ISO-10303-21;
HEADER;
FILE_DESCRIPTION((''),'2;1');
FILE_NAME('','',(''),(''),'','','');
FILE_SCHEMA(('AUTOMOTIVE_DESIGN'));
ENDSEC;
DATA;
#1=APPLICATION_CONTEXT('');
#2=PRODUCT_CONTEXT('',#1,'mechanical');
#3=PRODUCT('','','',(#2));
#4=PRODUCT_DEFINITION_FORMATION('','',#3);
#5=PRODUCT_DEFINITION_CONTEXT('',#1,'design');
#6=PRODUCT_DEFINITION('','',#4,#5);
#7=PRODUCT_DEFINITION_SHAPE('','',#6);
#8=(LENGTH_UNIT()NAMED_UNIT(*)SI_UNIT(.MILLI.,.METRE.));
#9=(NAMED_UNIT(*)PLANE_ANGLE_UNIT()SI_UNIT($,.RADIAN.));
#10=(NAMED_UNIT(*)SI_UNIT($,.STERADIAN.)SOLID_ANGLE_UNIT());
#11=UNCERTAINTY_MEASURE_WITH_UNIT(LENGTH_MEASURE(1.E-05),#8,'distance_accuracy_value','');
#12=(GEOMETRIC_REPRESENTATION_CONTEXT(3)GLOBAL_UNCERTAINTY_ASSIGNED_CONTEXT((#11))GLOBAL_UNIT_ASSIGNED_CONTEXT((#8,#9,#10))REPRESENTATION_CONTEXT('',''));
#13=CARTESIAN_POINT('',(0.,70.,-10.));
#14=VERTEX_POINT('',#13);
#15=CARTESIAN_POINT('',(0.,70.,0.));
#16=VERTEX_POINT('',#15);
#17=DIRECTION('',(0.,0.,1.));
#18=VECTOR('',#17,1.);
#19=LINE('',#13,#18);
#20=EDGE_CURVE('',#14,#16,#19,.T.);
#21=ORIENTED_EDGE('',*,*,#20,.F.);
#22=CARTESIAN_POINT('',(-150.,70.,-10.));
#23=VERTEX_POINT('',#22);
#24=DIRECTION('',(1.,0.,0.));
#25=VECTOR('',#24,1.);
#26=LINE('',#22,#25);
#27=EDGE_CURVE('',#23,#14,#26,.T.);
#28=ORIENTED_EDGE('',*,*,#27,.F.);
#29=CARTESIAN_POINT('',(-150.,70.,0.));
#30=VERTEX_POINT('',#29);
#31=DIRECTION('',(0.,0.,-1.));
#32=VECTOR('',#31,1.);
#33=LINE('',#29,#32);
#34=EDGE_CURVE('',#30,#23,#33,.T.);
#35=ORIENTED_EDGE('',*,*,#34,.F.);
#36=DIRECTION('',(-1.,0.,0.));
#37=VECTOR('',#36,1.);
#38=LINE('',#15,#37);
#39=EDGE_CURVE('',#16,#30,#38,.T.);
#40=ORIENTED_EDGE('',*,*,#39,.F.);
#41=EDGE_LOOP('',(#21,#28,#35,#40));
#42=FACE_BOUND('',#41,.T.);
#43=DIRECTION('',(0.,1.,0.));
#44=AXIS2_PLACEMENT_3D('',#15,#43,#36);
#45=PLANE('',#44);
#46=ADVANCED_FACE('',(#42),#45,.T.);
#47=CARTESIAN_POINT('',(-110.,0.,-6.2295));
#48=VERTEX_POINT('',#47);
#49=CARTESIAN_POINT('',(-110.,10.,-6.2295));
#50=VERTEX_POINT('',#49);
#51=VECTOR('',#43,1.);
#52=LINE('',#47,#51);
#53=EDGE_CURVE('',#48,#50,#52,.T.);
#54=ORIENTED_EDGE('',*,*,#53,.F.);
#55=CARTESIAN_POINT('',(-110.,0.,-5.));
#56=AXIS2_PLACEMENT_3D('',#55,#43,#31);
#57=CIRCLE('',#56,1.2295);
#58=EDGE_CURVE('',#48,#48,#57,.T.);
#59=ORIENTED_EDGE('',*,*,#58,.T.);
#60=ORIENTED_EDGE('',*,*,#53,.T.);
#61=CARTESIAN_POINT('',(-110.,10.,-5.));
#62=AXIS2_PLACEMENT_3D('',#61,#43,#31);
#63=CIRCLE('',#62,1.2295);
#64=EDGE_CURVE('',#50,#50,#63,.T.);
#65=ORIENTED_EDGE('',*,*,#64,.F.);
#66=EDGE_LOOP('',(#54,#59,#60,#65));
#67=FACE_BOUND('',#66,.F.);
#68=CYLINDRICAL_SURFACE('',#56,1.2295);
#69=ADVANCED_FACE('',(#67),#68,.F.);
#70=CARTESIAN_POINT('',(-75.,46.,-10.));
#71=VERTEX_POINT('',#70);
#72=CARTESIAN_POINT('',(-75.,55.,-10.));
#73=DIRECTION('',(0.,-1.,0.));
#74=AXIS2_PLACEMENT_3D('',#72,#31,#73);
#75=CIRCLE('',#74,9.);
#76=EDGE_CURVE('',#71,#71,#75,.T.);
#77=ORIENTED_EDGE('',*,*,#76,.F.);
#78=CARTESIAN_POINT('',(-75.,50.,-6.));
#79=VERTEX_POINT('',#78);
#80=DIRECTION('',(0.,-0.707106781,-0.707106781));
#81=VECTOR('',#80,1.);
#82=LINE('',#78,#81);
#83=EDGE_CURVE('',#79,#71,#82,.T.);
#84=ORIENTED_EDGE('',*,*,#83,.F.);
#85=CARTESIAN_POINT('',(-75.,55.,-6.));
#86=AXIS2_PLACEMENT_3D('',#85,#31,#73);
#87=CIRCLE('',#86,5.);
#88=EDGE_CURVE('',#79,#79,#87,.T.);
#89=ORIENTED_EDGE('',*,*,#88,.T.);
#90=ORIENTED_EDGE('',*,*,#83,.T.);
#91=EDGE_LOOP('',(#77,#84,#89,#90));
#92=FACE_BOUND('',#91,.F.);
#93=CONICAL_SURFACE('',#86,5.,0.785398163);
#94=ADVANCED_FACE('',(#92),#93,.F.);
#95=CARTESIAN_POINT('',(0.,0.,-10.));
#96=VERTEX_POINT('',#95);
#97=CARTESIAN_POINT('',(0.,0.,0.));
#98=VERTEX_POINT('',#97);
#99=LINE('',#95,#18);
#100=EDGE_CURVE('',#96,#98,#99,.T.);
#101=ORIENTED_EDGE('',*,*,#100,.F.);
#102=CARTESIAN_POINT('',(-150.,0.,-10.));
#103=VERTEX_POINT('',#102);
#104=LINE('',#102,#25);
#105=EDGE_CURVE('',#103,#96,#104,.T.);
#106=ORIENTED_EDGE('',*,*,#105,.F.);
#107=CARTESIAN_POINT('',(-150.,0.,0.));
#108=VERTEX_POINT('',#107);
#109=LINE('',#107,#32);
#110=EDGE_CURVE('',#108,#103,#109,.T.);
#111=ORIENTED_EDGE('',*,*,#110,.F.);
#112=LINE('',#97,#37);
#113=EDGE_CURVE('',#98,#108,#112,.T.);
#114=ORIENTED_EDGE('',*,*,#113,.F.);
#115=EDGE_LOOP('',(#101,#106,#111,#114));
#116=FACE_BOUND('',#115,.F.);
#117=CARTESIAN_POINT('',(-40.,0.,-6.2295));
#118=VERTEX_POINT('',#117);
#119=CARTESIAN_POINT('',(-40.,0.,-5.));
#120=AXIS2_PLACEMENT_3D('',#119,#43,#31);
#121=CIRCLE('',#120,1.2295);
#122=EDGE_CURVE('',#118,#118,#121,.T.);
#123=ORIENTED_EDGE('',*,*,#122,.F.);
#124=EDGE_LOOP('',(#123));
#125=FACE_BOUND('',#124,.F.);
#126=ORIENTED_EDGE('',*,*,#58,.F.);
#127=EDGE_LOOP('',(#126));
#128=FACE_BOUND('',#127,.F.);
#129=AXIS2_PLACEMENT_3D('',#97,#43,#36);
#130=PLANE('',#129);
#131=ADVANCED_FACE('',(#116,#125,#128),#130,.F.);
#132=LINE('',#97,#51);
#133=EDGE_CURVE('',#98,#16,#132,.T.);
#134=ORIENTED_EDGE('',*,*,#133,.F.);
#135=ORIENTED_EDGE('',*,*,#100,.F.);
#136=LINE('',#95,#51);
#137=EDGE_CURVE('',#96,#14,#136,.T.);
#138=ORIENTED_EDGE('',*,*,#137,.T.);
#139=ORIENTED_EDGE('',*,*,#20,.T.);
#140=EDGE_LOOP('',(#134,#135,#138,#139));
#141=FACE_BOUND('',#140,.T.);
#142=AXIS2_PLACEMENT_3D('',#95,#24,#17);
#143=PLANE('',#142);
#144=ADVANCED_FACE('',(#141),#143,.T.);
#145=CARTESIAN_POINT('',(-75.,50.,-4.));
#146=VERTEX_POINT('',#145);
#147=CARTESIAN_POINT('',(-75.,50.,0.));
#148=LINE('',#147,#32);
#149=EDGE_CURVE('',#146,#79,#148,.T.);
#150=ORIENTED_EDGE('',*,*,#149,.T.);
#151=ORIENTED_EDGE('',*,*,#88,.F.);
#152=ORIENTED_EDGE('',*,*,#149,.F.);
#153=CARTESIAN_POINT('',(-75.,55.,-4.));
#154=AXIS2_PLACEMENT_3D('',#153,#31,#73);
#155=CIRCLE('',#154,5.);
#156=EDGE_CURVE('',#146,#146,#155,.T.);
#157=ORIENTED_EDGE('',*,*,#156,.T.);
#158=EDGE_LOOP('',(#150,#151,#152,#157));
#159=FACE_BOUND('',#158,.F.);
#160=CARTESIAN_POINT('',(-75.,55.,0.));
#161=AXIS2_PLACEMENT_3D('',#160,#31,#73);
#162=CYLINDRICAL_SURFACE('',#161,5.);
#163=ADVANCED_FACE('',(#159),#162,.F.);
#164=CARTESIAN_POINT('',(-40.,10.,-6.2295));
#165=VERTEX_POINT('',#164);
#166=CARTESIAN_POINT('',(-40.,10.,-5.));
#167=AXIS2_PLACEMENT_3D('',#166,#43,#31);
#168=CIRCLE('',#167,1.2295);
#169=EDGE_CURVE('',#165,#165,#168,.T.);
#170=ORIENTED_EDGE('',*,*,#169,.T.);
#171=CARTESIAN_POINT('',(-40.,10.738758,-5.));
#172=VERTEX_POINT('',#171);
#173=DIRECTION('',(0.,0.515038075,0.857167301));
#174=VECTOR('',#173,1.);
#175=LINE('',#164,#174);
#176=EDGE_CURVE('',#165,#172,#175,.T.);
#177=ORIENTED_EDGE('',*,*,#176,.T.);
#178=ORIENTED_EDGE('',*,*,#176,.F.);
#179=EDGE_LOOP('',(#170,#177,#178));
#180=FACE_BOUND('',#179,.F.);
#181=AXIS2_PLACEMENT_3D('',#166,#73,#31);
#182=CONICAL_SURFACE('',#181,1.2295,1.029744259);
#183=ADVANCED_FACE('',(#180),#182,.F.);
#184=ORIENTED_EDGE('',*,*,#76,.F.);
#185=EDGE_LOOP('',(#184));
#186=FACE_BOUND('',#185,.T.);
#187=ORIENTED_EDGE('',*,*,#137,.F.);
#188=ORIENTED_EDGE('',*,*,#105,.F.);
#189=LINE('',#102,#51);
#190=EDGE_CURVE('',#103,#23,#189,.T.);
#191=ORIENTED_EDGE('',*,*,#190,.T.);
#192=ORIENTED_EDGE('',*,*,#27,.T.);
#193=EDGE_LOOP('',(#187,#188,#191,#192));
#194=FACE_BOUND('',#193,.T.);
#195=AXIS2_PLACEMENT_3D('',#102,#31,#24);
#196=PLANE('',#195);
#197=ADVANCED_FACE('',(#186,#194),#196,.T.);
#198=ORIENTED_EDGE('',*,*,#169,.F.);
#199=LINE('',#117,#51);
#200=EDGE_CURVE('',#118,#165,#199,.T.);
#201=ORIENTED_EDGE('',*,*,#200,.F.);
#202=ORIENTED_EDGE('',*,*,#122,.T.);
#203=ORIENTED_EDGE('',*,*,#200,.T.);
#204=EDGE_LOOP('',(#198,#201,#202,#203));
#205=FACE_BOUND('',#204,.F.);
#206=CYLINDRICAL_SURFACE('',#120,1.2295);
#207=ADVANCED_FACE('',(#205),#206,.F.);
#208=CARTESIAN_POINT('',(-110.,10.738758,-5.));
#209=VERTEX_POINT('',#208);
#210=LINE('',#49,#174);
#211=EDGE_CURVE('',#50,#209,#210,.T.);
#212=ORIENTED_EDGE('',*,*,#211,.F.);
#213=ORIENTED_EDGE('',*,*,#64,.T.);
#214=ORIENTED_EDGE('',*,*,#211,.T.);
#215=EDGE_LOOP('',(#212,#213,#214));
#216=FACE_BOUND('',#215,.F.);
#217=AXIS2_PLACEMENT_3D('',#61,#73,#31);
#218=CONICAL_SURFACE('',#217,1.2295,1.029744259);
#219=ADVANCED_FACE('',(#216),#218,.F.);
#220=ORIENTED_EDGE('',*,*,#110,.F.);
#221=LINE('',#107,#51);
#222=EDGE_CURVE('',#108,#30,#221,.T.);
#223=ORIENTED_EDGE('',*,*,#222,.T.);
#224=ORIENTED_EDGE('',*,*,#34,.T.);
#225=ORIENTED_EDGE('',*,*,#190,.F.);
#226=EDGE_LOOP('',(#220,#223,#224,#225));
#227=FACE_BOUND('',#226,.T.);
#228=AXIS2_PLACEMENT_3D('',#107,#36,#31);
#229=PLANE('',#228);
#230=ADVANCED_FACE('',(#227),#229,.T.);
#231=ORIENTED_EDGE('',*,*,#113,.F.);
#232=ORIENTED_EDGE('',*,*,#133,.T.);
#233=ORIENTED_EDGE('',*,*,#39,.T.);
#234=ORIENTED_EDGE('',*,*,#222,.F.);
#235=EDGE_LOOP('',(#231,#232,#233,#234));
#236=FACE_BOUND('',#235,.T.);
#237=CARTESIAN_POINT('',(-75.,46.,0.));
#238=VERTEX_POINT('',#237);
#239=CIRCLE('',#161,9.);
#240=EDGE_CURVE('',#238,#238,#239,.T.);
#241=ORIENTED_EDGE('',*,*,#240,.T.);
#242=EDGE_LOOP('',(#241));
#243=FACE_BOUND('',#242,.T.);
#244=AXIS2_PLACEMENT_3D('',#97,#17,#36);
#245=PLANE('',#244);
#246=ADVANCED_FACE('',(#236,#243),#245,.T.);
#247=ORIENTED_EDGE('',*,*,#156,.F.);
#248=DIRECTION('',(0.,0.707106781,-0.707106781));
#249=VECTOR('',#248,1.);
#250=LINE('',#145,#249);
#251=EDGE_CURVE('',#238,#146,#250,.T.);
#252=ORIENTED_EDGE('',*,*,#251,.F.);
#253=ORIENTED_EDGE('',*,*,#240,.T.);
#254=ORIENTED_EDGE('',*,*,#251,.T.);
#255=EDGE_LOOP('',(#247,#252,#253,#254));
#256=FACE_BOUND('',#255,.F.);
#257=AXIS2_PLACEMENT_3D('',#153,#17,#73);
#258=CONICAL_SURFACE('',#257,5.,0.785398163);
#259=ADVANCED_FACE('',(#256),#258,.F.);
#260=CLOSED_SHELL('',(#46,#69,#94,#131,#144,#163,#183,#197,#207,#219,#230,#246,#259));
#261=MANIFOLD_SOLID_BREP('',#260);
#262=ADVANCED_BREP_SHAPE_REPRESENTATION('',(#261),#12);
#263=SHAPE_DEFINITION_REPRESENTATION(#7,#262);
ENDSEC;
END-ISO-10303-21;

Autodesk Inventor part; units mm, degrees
ref_plane "YZ Plane" through (0, 0, 0) normal (1, 0, 0) x (0, 1, 0)
ref_plane "XZ Plane" through (0, 0, 0) normal (0, 1, 0) x (-1, 0, 0)
ref_plane "XY Plane" through (0, 0, 0) normal (0, 0, 1) x (1, 0, 0)
sketch "Sketch1" plane through (0, 0, 0) normal (0, 1, 0) x (-1, 0, 0)
  line L0 (0, 0) -> (150, 0)
  line L1 (150, 0) -> (150, -10)
  line L2 (150, -10) -> (0, -10)
  line L3 (0, -10) -> (0, 0)
  dimension "d0" = 150
  dimension "d1" = 10
extrude "Extrusion1" add sketch "Sketch1" along normal blind 70
sketch "Sketch2" plane through (-150, 0, 0) normal (0, 0, 1) x (1, 0, 0)
  line L0 (0, 70) -> (150, 70) projected
  line L1 (150, 0) -> (0, 0) projected
  line L2 (0, 0) -> (0, 70) projected
  point P0 (75, 55)
  dimension "d5" = 55
  dimension "d6" = 75
hole "Hole1" at (-75, 55, 0) direction (0, 0, -1) diameter 10 depth 10 tip angle 118
chamfer "Chamfer1" distance 4 angle 45 1 edges at (-75, 60, 0)
sketch "Sketch3" plane through (0, 0, 0) normal (0, -1, 0) x (1, 0, 0)
  line L0 (0, 0) -> (-150, 0) projected
  line L1 (-150, 0) -> (-150, -10) projected
  line L2 (0, -10) -> (0, 0) projected
  point P0 (-40, -5)
  point P1 (-110, -5)
  dimension "d18" = 5
  dimension "d19" = 5
  dimension "d20" = 40
  dimension "d21" = 40
hole "Hole2" at (-40, 0, -5) at (-110, 0, -5) direction (0, 1, 0) diameter 2.459 depth 10 tip angle 118 thread size "M3x0.5" class "6H" standard "ANSI Metric M Profile"
chamfer "Chamfer2" distance 4 angle 45 1 edges at (-75, 60, -10)
properties part number "cathetherEntry"
